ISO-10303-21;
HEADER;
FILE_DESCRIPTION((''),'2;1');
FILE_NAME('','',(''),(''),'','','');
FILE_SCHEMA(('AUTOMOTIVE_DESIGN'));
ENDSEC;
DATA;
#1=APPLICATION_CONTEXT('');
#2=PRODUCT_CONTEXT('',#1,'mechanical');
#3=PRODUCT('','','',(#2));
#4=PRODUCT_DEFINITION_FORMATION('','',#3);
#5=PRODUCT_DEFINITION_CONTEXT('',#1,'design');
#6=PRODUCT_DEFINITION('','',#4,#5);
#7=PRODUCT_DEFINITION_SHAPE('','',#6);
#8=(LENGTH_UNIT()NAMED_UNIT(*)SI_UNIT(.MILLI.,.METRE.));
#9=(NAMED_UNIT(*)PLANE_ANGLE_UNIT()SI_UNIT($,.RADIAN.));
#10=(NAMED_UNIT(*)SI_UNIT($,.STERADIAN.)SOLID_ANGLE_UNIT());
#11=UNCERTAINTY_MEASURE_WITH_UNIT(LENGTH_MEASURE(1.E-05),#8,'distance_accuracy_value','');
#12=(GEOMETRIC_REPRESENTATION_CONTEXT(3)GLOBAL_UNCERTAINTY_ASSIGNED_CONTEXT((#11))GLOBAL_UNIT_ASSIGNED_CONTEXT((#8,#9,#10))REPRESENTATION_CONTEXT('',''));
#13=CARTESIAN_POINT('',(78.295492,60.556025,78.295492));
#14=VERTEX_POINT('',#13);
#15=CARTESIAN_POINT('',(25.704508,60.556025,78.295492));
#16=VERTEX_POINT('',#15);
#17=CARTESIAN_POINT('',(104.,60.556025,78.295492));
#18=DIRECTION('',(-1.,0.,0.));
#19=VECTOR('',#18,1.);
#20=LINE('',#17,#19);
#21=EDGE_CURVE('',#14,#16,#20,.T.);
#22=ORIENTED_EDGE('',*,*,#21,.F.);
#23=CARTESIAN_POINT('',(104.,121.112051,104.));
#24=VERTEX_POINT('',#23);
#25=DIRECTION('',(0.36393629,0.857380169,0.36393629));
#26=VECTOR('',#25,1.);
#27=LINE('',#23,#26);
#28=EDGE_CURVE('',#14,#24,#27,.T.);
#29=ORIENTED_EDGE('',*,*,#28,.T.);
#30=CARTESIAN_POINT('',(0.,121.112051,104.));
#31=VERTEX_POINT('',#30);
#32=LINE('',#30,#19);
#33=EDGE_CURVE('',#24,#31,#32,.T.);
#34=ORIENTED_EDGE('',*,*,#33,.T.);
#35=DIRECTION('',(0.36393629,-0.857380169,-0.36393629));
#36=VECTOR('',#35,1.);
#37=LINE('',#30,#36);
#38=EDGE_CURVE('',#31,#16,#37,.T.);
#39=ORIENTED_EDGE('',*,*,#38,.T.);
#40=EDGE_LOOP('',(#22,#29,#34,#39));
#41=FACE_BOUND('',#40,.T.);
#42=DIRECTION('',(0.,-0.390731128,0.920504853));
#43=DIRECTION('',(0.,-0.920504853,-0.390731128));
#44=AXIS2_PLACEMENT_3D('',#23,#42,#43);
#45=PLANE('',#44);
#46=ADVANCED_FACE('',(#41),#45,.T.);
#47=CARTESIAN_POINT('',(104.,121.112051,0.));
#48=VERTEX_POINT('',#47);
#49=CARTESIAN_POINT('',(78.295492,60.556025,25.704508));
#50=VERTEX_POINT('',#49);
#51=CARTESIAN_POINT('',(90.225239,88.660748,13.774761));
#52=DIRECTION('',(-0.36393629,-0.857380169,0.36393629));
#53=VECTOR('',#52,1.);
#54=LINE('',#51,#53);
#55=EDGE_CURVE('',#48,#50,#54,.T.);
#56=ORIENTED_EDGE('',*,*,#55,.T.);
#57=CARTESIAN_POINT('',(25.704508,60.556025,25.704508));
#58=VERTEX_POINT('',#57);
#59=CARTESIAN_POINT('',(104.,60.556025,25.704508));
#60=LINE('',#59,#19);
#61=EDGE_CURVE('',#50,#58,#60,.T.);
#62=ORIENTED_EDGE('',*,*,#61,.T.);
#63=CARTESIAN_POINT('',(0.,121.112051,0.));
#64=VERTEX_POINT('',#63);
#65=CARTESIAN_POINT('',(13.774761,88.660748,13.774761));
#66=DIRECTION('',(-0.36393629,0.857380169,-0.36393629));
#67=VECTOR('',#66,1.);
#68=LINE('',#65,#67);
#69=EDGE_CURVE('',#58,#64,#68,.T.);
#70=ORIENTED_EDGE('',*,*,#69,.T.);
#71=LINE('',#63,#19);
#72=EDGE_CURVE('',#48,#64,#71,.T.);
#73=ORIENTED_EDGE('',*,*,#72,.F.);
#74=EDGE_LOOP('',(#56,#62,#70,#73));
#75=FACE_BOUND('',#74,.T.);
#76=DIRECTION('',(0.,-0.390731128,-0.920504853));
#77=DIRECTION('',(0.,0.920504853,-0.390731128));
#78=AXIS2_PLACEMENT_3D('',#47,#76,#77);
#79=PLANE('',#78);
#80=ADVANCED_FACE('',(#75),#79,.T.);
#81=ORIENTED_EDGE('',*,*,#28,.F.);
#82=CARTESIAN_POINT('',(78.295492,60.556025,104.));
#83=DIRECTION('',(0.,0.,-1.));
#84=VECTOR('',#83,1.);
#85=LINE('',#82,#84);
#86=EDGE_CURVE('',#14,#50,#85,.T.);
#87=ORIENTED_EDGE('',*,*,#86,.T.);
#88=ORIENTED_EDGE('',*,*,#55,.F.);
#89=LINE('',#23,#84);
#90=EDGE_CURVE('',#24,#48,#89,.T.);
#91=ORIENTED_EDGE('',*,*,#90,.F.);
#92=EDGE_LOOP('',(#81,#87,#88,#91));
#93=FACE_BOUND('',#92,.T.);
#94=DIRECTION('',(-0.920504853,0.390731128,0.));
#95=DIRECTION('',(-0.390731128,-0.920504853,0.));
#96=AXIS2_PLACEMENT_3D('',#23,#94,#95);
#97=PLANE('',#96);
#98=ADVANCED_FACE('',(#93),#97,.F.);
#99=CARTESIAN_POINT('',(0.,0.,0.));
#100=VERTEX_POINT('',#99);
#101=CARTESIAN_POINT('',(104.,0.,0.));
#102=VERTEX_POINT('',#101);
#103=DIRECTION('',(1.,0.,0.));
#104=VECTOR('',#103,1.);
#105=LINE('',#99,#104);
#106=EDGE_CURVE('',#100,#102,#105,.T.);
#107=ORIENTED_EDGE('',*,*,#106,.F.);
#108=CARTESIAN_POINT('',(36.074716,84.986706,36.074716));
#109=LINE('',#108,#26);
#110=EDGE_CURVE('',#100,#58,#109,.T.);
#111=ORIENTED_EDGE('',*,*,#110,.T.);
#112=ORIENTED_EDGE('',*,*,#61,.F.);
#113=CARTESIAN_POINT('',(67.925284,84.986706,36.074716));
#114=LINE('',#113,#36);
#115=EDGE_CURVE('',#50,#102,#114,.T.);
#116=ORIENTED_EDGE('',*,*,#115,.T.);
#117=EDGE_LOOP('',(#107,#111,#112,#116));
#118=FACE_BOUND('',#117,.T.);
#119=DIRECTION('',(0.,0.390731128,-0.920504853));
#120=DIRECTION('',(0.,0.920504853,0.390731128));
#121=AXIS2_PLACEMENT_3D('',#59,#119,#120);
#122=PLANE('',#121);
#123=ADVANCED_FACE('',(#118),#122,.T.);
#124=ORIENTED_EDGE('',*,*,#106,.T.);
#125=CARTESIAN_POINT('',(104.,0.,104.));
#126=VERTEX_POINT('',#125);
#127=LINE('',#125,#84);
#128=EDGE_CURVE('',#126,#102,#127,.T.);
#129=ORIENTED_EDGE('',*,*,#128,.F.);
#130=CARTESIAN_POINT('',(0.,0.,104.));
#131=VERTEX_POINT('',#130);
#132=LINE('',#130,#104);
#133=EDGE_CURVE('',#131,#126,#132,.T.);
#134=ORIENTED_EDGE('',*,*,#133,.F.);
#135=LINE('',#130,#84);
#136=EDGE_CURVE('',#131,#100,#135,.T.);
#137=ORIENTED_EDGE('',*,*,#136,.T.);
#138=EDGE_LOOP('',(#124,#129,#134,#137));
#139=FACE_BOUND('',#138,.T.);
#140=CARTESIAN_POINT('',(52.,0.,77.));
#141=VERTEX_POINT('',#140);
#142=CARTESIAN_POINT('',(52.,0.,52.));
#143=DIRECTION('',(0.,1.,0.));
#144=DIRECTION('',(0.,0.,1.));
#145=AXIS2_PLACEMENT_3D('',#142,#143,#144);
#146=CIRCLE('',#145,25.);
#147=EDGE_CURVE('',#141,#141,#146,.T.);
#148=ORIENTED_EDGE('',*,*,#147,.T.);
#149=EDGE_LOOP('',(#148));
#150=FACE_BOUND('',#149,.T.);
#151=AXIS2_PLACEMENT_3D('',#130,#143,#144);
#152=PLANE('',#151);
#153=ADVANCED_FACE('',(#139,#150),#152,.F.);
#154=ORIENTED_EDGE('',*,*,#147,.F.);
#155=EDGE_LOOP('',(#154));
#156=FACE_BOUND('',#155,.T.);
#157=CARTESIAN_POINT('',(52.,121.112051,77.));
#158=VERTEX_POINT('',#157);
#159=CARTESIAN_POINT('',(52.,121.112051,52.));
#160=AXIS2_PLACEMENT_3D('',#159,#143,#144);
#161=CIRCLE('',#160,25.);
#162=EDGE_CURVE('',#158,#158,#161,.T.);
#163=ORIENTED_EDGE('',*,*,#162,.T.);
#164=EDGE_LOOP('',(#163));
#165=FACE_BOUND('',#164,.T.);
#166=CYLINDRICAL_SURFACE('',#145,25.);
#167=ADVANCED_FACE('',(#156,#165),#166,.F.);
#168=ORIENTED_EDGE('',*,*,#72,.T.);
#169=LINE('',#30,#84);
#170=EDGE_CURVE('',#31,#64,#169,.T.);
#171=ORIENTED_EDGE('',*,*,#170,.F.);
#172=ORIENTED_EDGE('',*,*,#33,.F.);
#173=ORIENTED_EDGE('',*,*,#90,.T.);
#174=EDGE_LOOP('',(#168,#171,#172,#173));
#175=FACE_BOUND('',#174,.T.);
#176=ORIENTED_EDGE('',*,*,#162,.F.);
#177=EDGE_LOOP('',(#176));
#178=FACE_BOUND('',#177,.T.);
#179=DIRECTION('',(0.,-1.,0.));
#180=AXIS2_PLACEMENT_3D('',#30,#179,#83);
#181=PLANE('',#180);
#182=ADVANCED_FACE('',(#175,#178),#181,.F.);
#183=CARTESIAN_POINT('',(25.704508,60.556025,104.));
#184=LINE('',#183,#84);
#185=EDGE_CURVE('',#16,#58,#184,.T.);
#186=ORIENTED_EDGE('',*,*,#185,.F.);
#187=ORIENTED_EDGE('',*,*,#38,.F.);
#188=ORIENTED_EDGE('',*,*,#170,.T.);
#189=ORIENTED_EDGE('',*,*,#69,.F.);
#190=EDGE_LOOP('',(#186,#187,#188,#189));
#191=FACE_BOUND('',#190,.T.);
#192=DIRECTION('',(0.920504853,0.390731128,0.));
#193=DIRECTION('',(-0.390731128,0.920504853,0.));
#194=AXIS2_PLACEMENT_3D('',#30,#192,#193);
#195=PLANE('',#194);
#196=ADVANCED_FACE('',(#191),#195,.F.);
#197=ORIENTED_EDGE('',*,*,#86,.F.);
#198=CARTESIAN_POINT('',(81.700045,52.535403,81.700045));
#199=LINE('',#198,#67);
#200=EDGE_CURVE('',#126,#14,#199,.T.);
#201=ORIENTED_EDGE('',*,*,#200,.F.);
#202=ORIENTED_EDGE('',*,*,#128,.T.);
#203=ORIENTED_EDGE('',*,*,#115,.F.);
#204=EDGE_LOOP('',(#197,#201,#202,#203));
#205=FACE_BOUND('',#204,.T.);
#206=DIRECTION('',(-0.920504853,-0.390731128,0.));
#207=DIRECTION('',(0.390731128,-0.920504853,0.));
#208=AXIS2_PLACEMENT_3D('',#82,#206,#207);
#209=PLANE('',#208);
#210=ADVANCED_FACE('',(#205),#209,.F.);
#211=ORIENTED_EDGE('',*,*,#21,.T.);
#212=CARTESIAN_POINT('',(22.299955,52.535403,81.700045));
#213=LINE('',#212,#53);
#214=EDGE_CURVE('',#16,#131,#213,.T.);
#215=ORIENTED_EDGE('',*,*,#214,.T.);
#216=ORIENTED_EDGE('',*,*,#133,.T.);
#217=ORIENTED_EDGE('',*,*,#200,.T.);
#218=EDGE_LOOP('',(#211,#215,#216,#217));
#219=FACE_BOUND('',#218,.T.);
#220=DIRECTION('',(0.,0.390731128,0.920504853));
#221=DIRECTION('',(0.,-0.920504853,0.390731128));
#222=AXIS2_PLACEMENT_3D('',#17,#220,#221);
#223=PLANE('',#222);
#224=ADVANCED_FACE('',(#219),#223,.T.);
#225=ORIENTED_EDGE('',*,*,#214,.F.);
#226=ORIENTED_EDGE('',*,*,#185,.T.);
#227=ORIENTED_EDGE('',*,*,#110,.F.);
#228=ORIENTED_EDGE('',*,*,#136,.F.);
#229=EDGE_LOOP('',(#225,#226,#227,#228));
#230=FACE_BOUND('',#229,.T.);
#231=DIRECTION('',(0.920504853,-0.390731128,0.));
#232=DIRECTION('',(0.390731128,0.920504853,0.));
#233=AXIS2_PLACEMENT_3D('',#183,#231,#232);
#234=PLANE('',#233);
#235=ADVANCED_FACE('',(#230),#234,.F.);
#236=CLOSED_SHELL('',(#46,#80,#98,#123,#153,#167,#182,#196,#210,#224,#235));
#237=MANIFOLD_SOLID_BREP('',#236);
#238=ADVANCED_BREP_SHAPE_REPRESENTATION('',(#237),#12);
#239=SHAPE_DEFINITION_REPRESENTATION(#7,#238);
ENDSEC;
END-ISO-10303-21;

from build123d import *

# Parameters (mm, degrees)
SKETCH1_W           = 104
SKETCH1_H           = 121.112050925
BOSS_EXTRUDE1_DEPTH = 104
CUT_EXTRUDE1_DEPTH  = 104
CUT_EXTRUDE2_DEPTH  = 104
CUT_EXTRUDE3_DEPTH  = 191.525927053
CUT_EXTRUDE4_DEPTH  = 191.525927053
SKETCH6_R           = 25
CUT_EXTRUDE5_DEPTH  = 191.525927053


with BuildPart() as part:
    # Sketch1 → Boss-Extrude1 (new body)
    with BuildSketch(Plane.XY):
        with Locations((52, 60.556025463)):
            Rectangle(SKETCH1_W, SKETCH1_H)
    extrude(amount=BOSS_EXTRUDE1_DEPTH)

    # Sketch2 → Cut-Extrude1 (cut)
    with BuildSketch(Plane(origin=(0, 0, 0), x_dir=(-1, 0, 0), z_dir=(0, 0, -1))):
        Polygon((0, 121.112050925), (-25.704507779, 60.556025463), (0, 0), align=None)
    extrude(amount=-CUT_EXTRUDE1_DEPTH, mode=Mode.SUBTRACT)

    # Sketch3 → Cut-Extrude2 (cut)
    with BuildSketch(Plane(origin=(0, 0, 0), x_dir=(-1, 0, 0), z_dir=(0, 0, -1))):
        Polygon((-104, 121.112050925), (-78.295492221, 60.556025463), (-104, 0), align=None)
    extrude(amount=-CUT_EXTRUDE2_DEPTH, mode=Mode.SUBTRACT)

    # Sketch4 → Cut-Extrude3 (cut, through all)
    with BuildSketch(Plane(origin=(0, 0, 0), x_dir=(0, 0, -1), z_dir=(1, 0, 0))):
        Polygon((-104, 121.112050925), (-78.295492221, 60.556025463), (-104, 0), align=None)
    extrude(amount=CUT_EXTRUDE3_DEPTH, mode=Mode.SUBTRACT)

    # Sketch5 → Cut-Extrude4 (cut, through all)
    with BuildSketch(Plane(origin=(0, 0, 0), x_dir=(0, 0, -1), z_dir=(1, 0, 0))):
        Polygon((0, 121.112050925), (-25.704507779, 60.556025463), (0, 0), align=None)
    extrude(amount=CUT_EXTRUDE4_DEPTH, mode=Mode.SUBTRACT)

    # Sketch6 → Cut-Extrude5 (cut, through all)
    with BuildSketch(Plane(origin=(0, 121.112050925, 0), x_dir=(1, 0, 0), z_dir=(0, 1, 0))):
        with Locations(Location((52, -52, 0), (0, 0, 270))):
            Circle(SKETCH6_R)
    extrude(amount=-CUT_EXTRUDE5_DEPTH, mode=Mode.SUBTRACT)


solid = part.part
